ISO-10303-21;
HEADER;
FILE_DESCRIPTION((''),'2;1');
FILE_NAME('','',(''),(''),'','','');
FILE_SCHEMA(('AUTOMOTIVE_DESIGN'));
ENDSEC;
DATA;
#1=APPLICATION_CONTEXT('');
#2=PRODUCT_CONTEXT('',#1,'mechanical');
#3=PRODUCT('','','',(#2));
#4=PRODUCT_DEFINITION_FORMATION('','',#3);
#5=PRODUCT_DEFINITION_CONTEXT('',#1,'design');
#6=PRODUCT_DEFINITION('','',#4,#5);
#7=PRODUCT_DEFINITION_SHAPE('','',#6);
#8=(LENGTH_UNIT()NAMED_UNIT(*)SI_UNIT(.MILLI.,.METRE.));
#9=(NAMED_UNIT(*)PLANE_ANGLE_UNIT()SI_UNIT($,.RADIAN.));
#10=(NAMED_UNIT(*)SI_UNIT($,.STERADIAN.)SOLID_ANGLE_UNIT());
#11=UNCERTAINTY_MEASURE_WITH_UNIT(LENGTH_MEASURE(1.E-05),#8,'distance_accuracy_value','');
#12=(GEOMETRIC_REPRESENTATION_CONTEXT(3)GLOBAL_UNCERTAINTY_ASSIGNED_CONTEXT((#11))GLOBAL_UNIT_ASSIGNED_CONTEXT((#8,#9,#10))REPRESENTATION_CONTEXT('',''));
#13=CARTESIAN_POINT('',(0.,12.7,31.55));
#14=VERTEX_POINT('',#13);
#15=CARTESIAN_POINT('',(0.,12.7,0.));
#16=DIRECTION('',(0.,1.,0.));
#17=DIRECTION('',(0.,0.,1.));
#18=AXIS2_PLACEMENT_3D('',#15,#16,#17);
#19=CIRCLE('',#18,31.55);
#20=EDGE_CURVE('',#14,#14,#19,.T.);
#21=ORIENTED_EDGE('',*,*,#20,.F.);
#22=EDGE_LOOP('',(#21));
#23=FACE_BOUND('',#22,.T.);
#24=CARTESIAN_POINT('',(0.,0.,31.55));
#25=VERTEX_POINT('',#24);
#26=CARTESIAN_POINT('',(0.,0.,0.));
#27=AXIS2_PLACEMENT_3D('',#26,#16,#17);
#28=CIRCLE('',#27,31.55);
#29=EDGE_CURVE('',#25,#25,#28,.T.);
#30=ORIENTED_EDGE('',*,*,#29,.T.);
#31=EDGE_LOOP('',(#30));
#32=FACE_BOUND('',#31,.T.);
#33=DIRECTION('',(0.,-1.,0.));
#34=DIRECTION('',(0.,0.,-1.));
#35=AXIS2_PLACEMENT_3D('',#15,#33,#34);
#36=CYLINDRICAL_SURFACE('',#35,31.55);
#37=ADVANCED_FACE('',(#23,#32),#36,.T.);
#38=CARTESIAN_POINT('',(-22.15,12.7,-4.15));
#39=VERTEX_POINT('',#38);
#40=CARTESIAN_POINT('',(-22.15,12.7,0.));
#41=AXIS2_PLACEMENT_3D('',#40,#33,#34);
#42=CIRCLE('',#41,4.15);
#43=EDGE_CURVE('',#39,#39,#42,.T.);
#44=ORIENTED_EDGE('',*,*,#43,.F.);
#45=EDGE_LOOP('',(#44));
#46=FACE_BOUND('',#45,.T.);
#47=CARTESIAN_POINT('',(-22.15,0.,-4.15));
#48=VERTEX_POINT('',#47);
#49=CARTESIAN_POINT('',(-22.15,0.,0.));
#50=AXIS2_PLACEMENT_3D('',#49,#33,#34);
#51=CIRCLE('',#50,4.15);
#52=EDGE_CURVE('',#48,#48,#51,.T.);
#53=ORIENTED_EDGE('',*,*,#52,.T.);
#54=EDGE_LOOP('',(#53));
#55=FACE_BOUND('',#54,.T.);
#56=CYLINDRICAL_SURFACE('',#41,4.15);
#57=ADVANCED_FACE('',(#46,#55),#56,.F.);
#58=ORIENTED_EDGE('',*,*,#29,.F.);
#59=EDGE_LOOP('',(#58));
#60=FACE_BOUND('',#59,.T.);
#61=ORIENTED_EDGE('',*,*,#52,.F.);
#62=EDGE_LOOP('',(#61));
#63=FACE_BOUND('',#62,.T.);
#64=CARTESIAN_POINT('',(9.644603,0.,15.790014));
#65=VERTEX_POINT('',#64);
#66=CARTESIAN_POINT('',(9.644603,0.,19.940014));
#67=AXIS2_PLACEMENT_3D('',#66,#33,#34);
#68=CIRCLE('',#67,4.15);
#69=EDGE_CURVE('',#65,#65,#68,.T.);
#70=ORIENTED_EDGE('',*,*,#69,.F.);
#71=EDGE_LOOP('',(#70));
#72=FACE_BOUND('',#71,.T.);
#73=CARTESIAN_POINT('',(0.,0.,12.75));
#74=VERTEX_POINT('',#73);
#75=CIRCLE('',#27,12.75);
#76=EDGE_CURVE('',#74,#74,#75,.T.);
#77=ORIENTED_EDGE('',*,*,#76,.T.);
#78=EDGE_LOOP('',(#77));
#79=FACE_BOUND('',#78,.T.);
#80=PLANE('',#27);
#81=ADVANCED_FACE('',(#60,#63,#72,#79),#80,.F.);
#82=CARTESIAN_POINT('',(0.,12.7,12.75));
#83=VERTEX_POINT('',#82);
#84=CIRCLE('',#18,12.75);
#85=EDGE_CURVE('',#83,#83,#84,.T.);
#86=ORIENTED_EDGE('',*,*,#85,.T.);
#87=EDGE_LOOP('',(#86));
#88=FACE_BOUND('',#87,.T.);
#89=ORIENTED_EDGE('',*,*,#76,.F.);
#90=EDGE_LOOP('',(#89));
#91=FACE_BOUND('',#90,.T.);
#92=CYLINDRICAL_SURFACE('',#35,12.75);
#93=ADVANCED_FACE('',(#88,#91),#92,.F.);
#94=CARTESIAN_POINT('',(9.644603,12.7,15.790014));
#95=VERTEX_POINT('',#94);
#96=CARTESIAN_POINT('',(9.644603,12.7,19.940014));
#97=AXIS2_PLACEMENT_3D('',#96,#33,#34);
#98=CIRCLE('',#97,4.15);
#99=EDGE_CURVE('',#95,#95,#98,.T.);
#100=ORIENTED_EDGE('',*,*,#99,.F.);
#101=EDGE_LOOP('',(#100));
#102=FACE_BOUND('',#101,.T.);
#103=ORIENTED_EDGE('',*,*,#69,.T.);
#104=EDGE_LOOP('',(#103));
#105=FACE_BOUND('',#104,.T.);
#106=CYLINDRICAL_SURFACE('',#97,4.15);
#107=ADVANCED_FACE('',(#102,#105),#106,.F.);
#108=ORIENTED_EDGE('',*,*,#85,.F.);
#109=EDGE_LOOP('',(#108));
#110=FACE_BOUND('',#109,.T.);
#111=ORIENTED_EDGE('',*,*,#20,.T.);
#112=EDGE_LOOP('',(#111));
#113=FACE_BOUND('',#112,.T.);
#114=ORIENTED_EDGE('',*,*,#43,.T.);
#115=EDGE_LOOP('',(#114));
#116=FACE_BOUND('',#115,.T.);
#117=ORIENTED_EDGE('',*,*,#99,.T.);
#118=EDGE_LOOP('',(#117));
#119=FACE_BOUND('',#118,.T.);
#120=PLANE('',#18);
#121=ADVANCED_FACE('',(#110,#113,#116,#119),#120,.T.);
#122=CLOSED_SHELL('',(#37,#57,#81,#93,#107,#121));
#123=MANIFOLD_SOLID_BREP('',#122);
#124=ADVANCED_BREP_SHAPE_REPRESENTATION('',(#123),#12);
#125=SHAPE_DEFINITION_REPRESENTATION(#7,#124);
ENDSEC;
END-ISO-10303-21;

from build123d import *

# Parameters (mm, degrees)
SKETCH1_R           = 31.55
SKETCH1_R_2         = 12.75
BOSS_EXTRUDE1_DEPTH = 12.7
SKETCH2_R           = 4.15
CUT_EXTRUDE1_DEPTH  = 12.7


with BuildPart() as part:
    # Sketch1 → Boss-Extrude1 (new body)
    with BuildSketch(Plane(origin=(0, 0, 0), x_dir=(1, 0, 0), z_dir=(0, 1, 0))):
        with Locations(Location((0, 0, 0), (0, 0, 270))):
            Circle(SKETCH1_R)
        with Locations(Location((0, 0, 0), (0, 0, 270))):
            Circle(SKETCH1_R_2, mode=Mode.SUBTRACT)
    extrude(amount=BOSS_EXTRUDE1_DEPTH)

    # Sketch2 → Cut-Extrude1 (cut)
    with BuildSketch(Plane.XZ):
        with Locations(Location((-22.15, 0, 0), (0, 0, 270))):
            Circle(SKETCH2_R)
        with Locations(Location((9.644602709, 19.940013505, 0), (0, 0, 270))):
            Circle(SKETCH2_R)
    extrude(amount=-CUT_EXTRUDE1_DEPTH, mode=Mode.SUBTRACT)


solid = part.part
